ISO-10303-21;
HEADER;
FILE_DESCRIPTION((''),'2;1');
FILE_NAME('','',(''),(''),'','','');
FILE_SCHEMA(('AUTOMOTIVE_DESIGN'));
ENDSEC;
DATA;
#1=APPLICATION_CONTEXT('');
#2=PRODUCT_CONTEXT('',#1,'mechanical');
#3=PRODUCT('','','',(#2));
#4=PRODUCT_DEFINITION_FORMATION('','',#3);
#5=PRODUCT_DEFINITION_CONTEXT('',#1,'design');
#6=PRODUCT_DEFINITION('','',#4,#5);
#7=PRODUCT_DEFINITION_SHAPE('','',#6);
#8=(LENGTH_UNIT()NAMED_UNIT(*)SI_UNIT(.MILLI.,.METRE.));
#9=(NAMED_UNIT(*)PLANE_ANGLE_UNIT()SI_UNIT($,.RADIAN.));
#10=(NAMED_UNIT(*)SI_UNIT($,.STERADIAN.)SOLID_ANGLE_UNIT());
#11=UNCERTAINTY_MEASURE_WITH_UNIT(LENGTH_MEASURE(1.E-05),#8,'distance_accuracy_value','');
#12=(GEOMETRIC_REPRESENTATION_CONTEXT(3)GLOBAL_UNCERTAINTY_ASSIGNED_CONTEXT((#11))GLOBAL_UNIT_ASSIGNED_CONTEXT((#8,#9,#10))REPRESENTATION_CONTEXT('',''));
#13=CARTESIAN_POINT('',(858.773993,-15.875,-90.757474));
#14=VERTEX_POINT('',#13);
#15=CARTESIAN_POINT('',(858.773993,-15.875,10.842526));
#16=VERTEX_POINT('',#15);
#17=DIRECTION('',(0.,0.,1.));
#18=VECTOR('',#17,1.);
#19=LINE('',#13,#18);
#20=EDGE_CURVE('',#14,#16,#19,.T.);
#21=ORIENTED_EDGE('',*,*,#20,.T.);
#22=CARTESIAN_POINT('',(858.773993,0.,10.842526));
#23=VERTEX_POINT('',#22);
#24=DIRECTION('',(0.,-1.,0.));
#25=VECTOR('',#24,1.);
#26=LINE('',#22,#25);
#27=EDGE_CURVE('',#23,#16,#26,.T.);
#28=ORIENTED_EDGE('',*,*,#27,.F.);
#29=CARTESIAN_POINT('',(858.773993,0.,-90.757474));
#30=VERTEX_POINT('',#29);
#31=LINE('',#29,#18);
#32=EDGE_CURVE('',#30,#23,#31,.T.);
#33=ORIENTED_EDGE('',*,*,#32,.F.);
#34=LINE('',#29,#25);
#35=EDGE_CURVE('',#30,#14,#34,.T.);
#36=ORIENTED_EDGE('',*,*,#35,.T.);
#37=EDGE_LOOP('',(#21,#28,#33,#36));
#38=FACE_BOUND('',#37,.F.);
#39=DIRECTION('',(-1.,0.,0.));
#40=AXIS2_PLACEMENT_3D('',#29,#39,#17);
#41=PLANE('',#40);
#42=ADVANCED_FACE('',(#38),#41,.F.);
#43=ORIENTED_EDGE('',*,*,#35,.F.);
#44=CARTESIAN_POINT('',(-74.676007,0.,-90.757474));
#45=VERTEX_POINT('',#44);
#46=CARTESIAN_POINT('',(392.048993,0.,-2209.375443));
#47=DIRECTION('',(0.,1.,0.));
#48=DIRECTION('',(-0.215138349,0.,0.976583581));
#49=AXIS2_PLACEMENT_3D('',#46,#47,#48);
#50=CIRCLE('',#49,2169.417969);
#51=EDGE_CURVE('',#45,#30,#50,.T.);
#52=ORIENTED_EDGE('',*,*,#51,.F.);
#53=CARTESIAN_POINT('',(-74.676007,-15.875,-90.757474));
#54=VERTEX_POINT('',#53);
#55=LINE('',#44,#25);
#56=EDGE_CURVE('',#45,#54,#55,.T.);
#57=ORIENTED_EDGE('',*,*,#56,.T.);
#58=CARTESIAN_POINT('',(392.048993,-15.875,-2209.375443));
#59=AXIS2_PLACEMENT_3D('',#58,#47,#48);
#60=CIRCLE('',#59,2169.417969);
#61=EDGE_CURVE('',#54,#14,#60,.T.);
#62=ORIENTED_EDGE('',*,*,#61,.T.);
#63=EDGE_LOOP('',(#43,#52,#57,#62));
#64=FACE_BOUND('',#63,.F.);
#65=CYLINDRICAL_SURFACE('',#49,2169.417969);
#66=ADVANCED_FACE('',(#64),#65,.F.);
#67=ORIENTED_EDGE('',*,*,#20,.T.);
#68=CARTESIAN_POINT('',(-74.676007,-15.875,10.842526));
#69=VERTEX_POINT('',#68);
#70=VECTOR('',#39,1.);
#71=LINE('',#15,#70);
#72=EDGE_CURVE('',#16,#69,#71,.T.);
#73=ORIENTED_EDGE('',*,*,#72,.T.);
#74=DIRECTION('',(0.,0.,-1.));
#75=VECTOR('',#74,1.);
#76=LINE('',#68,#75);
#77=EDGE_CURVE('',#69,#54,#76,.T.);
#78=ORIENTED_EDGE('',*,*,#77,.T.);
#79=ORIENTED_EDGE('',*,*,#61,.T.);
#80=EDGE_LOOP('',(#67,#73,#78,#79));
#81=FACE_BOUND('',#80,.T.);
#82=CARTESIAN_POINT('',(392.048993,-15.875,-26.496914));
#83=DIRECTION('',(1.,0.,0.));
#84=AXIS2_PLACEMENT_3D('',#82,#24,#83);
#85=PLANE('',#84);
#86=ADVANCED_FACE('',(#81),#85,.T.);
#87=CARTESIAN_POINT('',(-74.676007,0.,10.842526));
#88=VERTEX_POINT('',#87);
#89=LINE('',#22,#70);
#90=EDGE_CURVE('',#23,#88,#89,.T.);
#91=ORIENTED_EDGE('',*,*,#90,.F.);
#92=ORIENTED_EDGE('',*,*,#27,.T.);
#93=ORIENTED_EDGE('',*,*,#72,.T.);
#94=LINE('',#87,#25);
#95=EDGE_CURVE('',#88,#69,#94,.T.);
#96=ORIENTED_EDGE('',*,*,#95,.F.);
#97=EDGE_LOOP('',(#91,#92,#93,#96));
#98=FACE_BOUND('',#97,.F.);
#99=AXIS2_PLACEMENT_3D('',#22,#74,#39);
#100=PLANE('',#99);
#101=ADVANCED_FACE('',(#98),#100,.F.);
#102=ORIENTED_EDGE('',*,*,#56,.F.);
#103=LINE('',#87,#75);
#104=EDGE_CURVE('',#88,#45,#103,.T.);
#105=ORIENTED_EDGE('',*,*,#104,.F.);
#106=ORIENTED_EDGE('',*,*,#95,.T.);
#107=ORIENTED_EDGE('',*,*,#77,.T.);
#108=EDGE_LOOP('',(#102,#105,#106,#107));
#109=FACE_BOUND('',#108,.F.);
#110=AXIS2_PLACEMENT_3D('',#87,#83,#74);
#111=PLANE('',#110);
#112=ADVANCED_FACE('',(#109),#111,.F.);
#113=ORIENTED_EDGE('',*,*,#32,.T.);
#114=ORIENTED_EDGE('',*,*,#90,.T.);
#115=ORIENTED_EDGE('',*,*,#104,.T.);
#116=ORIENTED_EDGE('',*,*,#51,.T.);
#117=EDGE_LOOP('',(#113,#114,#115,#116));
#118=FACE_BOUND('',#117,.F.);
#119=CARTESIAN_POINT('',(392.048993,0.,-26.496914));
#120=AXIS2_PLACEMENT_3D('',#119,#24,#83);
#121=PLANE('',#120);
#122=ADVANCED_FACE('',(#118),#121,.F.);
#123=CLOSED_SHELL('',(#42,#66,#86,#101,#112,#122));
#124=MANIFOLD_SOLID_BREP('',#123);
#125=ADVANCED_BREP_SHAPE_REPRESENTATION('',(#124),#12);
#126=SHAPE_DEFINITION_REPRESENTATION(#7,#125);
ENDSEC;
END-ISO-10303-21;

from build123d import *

# Parameters (mm, degrees)
F1_DEPTH = 25.4
F4_DEPTH = 15.875


with BuildPart() as f1:
    # F0 (on Front) → F1 (new body)
    with BuildSketch(Plane.XZ):
        with BuildLine():
            Line((862.5024050593, 9.3825748086), (-70.9475949407, 9.3825748086))
            Line((-70.9475949407, 9.3825748086), (-70.9475949407, -66.8174251914))
            ThreePointArc((-70.9475949407, -66.8174251914), (395.7774050593, -16.0174251914), (862.5024050593, -66.8174251914))
            Line((862.5024050593, -66.8174251914), (862.5024050593, 9.3825748086))
        make_face()
    extrude(amount=F1_DEPTH)


with BuildPart() as f4:
    # F3 (on Front) → F4 (new body)
    with BuildSketch(Plane.XZ):
        with BuildLine():
            Line((858.7739929676, 10.8425256968), (-74.6760070324, 10.8425256968))
            Line((-74.6760070324, 10.8425256968), (-74.6760070324, -90.7574743032))
            ThreePointArc((-74.6760070324, -90.7574743032), (392.0489929676, -39.9574743032), (858.7739929676, -90.7574743032))
            Line((858.7739929676, -90.7574743032), (858.7739929676, 10.8425256968))
        make_face()
    extrude(amount=F4_DEPTH)


solid = f4.part
